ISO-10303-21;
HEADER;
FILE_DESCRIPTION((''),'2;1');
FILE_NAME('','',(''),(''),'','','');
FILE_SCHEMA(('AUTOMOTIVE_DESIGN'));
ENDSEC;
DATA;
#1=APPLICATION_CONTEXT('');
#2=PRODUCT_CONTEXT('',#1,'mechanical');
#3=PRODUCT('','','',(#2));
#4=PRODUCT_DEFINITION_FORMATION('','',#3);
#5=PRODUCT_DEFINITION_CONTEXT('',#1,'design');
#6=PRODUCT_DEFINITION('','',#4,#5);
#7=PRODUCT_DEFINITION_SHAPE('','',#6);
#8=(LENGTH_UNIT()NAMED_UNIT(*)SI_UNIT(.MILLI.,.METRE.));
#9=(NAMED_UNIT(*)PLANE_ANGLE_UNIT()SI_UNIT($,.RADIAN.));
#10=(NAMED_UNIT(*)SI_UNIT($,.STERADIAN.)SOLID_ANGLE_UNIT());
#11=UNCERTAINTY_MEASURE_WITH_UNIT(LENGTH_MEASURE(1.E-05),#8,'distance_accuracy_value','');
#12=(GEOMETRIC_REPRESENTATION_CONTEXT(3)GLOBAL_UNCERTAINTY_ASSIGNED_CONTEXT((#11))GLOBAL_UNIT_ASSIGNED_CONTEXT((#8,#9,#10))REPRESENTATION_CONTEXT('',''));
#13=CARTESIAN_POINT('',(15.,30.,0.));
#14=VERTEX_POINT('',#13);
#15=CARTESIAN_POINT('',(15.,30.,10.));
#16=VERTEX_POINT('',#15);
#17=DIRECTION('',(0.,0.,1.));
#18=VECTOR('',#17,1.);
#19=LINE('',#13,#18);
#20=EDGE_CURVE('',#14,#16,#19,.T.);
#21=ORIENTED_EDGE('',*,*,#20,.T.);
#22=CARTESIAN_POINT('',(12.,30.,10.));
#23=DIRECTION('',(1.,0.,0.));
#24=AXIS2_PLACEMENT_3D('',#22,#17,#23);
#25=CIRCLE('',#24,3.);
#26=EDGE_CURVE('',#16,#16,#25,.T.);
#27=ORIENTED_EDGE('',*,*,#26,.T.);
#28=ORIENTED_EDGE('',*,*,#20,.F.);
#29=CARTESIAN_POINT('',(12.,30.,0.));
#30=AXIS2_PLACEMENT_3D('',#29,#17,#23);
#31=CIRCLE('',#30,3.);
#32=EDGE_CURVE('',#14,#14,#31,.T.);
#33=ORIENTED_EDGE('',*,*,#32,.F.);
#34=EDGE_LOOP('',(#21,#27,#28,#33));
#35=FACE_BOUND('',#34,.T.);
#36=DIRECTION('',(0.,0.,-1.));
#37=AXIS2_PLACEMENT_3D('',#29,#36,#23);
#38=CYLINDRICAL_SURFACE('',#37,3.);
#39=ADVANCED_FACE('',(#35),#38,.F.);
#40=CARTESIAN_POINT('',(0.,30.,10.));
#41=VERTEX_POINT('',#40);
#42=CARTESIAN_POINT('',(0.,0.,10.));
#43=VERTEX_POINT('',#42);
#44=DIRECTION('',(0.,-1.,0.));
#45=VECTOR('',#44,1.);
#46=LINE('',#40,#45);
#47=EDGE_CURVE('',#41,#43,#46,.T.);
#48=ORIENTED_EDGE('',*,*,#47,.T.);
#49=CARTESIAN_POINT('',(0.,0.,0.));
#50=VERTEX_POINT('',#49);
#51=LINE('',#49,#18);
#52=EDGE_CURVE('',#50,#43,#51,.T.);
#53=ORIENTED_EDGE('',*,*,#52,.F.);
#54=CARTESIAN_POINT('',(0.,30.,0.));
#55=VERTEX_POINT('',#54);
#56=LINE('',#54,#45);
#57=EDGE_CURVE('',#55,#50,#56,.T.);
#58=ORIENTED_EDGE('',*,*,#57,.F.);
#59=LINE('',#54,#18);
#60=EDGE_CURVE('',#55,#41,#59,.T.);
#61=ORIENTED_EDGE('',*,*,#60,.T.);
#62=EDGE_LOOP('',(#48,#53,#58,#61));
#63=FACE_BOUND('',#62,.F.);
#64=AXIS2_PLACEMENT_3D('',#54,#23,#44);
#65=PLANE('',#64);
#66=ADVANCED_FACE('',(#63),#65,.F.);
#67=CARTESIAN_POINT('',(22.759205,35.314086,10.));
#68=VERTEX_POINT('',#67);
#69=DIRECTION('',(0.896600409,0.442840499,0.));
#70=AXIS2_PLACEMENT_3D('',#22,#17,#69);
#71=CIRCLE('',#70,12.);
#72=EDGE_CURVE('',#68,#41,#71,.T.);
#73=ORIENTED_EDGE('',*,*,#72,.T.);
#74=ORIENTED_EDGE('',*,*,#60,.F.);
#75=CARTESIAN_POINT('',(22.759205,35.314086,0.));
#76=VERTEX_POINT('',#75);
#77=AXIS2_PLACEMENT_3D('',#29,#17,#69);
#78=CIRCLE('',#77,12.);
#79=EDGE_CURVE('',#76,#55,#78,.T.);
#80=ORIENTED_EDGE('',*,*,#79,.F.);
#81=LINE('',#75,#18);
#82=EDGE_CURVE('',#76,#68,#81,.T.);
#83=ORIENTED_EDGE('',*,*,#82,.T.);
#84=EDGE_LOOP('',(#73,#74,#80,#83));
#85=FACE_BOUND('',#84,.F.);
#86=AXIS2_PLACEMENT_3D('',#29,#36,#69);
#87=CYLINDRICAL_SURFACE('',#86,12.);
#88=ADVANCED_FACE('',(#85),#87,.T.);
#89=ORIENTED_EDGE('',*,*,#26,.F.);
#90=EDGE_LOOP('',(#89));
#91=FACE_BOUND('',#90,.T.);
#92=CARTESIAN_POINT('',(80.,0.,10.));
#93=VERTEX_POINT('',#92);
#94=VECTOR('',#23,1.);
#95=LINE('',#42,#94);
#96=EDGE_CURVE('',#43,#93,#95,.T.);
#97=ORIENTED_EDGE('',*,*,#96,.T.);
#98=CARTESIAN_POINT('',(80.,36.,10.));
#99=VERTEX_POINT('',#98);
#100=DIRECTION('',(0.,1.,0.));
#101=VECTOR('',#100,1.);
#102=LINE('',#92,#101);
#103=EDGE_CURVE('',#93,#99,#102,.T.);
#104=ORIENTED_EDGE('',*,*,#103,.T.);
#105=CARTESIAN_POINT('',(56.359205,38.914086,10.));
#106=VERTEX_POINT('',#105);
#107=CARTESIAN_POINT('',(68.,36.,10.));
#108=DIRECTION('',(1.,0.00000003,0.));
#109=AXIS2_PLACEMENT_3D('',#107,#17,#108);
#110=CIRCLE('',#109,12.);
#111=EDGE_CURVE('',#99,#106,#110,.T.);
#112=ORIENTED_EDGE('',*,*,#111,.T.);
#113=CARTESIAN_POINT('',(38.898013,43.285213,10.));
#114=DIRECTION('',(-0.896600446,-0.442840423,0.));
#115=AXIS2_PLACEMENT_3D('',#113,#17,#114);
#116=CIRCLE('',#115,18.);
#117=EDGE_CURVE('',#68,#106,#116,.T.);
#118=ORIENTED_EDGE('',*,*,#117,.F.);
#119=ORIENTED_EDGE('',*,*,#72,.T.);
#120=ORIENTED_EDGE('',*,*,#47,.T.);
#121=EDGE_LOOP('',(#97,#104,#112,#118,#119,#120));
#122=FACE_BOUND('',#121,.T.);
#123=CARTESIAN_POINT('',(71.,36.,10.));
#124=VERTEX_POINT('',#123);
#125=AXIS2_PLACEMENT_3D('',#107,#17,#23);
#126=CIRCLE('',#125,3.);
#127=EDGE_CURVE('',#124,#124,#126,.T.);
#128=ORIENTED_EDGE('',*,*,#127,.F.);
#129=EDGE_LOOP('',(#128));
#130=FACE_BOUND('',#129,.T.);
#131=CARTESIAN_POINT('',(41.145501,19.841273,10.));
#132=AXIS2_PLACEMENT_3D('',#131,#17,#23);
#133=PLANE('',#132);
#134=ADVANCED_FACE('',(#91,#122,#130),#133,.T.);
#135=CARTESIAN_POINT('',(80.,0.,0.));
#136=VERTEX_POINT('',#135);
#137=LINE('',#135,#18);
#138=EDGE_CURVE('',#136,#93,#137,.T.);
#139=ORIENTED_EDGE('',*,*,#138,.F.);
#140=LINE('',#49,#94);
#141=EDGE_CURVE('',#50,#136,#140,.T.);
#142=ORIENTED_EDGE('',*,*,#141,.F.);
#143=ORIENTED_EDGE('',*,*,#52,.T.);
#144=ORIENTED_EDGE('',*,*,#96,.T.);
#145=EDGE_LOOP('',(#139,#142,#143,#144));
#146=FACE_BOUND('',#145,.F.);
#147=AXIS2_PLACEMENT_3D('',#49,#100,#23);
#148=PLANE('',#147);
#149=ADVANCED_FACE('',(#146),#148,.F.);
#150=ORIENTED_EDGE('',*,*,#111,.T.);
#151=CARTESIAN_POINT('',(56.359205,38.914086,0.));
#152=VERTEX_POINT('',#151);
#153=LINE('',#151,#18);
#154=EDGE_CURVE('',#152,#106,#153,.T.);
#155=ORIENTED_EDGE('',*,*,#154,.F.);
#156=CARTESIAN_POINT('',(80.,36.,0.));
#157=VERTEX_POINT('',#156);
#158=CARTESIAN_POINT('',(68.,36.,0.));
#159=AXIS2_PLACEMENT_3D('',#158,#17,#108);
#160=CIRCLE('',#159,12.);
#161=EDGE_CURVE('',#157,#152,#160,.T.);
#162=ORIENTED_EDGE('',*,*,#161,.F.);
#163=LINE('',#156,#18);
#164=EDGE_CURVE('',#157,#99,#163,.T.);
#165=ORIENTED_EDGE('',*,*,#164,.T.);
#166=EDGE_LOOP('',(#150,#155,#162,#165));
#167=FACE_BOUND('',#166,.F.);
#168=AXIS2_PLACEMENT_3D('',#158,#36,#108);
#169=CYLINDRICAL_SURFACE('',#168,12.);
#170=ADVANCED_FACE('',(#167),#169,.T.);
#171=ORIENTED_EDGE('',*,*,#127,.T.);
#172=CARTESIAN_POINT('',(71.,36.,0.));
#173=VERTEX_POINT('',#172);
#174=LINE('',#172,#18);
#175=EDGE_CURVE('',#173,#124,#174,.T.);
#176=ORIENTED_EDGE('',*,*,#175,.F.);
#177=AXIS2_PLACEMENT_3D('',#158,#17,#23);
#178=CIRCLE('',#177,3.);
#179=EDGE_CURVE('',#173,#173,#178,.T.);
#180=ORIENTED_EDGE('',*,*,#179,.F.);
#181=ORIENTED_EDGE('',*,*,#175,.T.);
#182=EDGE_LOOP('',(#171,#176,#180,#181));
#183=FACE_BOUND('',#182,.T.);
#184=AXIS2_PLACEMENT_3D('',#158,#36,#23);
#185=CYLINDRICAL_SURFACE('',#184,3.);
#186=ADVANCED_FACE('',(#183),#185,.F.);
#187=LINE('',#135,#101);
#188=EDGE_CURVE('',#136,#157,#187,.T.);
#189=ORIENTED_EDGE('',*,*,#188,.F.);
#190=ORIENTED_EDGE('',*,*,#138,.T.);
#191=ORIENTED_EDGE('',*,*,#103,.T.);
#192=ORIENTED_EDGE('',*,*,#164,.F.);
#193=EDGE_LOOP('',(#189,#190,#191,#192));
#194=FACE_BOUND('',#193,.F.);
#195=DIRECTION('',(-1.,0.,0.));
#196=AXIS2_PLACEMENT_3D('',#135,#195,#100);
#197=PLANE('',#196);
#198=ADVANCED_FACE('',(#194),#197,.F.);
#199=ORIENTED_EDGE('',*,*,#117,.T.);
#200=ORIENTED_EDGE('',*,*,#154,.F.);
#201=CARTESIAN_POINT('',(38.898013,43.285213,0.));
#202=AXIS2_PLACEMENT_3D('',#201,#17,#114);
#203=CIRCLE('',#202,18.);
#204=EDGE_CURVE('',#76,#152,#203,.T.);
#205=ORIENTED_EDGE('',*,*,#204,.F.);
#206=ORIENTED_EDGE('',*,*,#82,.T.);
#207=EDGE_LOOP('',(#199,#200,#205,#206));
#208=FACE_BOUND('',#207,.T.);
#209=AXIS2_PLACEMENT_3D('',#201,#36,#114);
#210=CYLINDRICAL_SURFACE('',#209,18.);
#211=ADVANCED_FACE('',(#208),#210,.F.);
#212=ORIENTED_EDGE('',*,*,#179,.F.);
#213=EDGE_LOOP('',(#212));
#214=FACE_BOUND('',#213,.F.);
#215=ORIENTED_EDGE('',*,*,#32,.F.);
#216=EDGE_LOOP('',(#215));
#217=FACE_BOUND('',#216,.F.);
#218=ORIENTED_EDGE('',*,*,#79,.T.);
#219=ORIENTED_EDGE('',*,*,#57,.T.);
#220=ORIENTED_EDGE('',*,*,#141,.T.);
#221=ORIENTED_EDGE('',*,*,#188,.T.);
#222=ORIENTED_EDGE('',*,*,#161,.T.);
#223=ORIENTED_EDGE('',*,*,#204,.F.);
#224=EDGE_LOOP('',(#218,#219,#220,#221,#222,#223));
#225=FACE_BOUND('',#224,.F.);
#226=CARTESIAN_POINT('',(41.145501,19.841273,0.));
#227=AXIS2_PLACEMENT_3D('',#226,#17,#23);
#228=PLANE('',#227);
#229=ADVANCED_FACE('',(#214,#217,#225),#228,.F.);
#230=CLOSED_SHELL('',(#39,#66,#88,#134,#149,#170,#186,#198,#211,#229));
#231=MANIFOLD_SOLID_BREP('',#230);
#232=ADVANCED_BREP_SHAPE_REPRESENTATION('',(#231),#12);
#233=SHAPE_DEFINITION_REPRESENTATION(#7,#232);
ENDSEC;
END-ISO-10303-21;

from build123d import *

# Parameters (mm, degrees)
SKETCH_R  = 3
PAD_DEPTH = 10


with BuildPart() as part:
    # Sketch → Pad (new body)
    with BuildSketch(Plane.XY):
        with BuildLine():
            Line((0, 0), (80, 0))
            Line((80, 0), (80, 36))
            ThreePointArc((80, 36), (69.46807, 47.90986), (56.359205, 38.914086))
            ThreePointArc((22.759205, 35.314086), (40.815609, 25.387649), (56.359205, 38.914086))
            ThreePointArc((22.759205, 35.314086), (9.27149, 41.685685), (0, 30))
            Line((0, 30), (0, 0))
        make_face()
        with Locations((68, 36)):
            Circle(SKETCH_R, mode=Mode.SUBTRACT)
        with Locations((12, 30)):
            Circle(SKETCH_R, mode=Mode.SUBTRACT)
    extrude(amount=PAD_DEPTH)


solid = part.part
